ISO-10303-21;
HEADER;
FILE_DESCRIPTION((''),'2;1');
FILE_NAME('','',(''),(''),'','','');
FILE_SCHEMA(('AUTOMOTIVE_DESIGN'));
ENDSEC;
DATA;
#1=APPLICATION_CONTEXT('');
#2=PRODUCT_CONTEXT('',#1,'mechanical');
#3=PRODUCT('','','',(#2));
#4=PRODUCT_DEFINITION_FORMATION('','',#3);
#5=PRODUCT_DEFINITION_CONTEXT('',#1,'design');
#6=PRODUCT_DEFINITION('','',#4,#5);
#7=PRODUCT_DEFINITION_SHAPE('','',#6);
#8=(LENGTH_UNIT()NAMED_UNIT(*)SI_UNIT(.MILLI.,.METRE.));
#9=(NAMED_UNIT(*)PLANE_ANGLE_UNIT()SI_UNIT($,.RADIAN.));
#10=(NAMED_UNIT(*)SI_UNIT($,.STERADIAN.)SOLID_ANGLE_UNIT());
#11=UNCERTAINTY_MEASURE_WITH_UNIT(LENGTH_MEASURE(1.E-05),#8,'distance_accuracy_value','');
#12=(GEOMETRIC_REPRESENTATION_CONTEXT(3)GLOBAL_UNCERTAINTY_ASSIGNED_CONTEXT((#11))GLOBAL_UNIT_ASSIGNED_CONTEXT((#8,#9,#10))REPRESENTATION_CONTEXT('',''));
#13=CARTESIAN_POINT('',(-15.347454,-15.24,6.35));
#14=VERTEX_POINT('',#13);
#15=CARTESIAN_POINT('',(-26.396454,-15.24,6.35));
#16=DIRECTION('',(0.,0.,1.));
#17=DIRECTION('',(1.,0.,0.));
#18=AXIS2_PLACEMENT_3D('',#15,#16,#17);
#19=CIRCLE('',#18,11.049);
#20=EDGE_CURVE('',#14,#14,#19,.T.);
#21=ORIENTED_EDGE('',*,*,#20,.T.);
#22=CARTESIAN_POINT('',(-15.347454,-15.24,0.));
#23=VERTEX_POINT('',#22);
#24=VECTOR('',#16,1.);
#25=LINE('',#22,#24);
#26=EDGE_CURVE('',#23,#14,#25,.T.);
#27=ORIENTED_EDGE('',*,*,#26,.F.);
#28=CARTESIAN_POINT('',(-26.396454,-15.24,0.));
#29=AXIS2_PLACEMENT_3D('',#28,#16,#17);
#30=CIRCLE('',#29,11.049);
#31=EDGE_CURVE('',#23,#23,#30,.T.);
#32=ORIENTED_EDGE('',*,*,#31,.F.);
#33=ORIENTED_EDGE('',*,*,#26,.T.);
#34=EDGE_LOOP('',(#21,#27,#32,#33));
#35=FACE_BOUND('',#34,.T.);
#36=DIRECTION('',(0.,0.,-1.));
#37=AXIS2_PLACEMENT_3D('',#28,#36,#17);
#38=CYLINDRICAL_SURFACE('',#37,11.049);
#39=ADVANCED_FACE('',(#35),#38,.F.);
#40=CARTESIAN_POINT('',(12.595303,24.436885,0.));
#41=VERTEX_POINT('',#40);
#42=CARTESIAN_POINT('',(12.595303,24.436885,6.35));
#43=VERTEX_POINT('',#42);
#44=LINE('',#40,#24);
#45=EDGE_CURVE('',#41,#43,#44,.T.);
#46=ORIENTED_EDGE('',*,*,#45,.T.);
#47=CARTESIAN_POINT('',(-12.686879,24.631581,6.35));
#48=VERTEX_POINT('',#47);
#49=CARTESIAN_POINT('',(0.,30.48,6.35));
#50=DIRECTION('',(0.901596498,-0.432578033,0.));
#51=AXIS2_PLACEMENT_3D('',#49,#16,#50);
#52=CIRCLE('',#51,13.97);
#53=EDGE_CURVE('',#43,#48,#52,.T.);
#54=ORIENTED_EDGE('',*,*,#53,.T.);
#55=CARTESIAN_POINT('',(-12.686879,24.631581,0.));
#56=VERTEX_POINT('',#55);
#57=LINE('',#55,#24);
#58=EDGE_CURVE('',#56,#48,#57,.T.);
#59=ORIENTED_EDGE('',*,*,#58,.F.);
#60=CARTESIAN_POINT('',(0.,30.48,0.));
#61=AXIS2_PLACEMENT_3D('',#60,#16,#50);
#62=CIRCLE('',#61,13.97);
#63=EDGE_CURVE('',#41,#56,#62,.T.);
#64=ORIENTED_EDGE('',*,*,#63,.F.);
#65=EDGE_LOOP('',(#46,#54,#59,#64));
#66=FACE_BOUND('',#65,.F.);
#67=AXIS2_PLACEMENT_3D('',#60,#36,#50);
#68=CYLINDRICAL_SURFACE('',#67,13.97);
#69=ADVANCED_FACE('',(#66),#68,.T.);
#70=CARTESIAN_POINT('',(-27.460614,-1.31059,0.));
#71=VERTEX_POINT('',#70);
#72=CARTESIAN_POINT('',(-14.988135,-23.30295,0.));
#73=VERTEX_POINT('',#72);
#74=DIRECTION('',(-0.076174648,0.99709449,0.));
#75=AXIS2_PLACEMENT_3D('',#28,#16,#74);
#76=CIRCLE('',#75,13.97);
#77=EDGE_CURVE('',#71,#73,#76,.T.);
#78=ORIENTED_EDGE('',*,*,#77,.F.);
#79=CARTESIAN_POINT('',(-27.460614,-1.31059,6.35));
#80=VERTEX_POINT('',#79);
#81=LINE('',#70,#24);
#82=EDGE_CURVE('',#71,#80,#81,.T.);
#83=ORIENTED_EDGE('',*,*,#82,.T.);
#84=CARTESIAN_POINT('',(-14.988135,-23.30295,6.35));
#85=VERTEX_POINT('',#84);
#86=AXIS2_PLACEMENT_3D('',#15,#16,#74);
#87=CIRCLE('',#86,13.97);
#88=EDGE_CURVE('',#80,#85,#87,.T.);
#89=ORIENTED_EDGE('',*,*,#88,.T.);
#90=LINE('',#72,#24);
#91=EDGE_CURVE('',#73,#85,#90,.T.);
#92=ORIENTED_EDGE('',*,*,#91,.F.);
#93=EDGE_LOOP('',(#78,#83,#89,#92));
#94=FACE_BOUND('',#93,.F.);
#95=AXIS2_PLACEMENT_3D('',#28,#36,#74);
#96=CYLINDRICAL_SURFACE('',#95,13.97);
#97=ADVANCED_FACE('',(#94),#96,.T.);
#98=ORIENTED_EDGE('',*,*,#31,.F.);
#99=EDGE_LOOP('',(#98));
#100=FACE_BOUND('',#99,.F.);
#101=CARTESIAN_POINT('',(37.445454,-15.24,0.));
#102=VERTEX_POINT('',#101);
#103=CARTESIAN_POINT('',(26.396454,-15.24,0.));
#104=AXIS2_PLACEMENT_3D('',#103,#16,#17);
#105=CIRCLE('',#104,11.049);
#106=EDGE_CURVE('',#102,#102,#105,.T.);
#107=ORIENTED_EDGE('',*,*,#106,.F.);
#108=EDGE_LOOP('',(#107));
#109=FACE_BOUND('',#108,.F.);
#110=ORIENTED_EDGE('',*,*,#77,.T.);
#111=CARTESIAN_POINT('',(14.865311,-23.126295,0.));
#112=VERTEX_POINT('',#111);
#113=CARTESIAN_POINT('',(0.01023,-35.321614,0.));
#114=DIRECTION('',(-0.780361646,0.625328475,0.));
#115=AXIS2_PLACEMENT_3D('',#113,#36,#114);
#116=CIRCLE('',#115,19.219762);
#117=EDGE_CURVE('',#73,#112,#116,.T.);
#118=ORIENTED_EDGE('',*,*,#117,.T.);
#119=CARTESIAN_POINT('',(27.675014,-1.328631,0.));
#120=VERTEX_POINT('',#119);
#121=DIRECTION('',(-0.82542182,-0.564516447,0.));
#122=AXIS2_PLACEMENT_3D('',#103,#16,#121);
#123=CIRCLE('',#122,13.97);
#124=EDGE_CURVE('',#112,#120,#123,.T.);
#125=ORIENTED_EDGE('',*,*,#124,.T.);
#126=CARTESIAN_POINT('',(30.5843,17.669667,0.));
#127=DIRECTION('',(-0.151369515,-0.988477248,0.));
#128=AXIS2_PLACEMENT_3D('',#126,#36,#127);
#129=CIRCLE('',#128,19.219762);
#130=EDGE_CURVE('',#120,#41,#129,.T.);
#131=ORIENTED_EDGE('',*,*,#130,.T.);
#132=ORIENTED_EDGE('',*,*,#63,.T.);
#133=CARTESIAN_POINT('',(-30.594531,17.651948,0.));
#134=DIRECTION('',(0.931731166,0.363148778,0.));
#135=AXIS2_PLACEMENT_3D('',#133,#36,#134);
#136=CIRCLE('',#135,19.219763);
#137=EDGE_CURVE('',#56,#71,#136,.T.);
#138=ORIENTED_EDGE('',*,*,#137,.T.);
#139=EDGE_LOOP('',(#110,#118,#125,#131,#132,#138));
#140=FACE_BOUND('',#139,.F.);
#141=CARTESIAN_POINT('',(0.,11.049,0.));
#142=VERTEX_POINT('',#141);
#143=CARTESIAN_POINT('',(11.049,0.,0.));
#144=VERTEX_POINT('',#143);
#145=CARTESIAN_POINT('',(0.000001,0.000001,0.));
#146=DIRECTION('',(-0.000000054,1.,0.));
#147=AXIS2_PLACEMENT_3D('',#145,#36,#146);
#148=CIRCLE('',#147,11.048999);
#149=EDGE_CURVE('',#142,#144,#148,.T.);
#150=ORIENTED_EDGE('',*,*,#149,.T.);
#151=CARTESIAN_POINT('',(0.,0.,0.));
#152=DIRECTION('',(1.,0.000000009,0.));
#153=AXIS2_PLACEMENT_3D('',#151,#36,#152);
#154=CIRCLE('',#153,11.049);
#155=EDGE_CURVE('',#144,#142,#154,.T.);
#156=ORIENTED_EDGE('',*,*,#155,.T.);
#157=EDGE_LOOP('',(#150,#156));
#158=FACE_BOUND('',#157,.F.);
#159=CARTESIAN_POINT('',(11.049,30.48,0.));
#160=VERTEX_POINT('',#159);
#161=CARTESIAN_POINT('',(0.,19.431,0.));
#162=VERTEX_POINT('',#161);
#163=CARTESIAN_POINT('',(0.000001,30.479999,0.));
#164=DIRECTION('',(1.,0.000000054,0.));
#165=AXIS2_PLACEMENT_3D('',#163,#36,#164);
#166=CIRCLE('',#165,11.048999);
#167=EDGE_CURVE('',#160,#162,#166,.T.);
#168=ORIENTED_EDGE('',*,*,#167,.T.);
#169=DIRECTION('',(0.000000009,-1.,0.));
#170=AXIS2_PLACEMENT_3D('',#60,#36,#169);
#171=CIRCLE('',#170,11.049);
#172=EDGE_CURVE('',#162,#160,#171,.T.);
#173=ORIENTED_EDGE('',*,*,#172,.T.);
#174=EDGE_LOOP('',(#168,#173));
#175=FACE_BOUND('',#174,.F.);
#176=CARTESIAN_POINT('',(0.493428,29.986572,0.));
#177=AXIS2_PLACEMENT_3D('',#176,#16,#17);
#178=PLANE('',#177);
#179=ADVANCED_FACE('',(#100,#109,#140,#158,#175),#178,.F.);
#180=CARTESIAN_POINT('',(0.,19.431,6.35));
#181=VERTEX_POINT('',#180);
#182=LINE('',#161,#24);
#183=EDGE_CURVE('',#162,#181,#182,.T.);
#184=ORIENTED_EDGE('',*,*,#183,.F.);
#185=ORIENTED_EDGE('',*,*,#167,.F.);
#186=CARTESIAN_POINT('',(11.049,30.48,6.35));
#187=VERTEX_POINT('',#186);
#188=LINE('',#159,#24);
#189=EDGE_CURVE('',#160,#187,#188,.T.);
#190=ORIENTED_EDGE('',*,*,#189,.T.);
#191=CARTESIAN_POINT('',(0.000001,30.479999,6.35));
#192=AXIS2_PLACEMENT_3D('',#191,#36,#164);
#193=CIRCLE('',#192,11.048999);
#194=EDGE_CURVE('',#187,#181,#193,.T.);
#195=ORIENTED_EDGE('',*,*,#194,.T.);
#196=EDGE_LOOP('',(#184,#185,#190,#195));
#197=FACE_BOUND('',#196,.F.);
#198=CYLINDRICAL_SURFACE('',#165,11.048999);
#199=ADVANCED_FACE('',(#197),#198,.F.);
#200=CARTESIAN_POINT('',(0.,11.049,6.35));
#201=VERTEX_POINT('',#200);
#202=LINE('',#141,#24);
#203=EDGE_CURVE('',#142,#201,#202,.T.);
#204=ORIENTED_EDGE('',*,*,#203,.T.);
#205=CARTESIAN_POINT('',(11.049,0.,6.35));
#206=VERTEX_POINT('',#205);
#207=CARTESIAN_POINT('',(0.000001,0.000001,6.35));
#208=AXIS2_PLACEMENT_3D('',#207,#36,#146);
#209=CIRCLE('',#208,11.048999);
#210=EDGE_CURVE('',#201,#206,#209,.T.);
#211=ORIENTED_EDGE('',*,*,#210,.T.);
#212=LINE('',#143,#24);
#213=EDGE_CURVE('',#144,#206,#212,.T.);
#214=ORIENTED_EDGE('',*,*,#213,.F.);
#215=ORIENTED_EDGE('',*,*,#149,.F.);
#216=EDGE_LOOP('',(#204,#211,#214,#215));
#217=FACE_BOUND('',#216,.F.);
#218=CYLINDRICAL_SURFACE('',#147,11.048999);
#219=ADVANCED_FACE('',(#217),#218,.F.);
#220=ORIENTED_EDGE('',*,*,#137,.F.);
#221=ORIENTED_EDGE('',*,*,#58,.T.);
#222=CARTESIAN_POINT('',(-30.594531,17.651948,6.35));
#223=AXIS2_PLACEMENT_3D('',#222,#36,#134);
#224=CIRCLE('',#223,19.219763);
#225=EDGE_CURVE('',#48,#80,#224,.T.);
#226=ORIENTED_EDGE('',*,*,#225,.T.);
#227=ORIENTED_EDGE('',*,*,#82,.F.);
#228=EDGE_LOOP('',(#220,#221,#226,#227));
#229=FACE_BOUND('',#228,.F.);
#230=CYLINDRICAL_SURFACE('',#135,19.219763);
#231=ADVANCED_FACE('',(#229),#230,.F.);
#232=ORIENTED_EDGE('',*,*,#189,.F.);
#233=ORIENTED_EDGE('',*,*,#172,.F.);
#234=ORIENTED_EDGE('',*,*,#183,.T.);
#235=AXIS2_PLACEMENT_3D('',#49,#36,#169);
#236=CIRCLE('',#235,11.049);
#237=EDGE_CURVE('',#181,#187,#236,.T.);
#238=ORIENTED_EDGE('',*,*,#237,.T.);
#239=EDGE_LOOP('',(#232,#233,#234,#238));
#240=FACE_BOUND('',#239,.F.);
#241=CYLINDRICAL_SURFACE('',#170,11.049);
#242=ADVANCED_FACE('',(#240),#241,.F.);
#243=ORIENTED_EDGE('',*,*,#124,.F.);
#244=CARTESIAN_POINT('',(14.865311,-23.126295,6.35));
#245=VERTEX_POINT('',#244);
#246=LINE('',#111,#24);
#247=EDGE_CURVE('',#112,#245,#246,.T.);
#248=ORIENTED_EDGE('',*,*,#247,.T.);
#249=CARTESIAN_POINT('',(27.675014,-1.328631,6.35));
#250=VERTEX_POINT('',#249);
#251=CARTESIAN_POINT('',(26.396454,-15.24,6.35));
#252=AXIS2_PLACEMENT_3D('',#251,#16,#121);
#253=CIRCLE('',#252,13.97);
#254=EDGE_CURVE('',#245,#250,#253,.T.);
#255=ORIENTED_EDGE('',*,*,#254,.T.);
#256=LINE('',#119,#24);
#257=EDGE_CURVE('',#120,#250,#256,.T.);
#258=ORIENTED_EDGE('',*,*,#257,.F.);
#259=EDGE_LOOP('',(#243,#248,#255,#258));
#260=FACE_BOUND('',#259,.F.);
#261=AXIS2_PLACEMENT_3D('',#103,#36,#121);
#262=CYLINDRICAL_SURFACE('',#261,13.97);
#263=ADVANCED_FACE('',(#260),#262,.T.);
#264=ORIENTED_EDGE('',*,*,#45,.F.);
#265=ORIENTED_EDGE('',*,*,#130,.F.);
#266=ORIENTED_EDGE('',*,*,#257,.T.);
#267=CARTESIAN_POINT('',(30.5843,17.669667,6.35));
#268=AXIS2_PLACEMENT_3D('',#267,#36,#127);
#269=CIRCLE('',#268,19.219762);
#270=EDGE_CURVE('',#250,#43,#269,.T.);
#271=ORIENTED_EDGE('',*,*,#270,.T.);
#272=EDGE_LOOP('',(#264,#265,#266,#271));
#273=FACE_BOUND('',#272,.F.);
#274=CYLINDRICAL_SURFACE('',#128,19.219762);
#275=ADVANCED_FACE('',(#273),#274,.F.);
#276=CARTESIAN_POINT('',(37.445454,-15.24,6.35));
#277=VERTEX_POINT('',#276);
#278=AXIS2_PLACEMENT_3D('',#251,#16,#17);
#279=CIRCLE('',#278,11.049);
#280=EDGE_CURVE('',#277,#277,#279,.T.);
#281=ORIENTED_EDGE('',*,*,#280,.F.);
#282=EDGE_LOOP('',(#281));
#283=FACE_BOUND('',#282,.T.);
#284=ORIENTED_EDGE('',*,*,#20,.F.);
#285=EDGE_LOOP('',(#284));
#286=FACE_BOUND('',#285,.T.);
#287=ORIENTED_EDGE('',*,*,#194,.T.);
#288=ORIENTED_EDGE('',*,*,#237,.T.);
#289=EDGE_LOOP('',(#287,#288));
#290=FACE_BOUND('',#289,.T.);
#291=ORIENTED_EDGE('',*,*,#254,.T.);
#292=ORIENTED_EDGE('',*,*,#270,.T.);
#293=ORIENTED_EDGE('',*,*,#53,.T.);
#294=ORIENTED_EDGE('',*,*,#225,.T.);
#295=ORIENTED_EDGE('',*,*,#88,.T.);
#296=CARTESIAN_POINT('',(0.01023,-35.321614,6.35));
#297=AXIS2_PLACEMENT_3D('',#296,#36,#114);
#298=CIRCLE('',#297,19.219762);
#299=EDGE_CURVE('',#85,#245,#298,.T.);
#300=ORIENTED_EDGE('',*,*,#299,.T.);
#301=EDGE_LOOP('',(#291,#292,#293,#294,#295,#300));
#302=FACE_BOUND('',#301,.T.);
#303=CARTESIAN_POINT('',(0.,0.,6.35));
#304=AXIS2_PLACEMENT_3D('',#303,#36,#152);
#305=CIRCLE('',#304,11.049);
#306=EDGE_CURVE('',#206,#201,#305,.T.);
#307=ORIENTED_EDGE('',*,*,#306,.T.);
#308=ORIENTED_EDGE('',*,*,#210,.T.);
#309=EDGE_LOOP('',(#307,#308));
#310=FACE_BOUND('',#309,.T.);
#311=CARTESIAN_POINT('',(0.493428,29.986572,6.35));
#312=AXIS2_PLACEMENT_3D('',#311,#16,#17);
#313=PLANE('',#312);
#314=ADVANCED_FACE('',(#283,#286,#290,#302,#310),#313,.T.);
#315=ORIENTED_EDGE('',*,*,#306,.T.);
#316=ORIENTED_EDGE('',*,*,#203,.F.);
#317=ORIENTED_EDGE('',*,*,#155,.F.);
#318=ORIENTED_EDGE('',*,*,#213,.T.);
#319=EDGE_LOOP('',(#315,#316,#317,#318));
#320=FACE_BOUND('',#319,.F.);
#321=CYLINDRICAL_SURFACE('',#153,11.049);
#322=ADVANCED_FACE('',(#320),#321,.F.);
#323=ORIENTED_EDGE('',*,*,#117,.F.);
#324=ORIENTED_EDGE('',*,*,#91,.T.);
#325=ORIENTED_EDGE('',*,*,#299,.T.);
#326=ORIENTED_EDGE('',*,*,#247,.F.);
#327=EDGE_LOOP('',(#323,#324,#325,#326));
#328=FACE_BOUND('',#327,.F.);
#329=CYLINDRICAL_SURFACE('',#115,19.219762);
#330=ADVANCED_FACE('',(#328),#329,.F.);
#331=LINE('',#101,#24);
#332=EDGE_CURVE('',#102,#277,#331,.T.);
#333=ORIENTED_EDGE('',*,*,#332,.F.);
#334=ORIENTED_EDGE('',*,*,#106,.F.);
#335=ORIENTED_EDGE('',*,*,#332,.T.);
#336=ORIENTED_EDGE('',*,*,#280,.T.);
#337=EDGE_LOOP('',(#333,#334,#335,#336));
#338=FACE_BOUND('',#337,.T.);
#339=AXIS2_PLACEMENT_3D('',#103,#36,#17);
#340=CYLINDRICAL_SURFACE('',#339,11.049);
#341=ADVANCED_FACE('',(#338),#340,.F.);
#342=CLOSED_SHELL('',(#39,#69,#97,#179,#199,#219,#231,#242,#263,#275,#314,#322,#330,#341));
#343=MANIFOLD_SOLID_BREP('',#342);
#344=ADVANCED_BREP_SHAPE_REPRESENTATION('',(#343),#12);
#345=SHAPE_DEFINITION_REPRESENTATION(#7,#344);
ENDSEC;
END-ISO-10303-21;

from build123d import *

# Parameters (mm, degrees)
F0_R     = 11.049
F1_DEPTH = 6.35


with BuildPart() as f1:
    # F0 (on Top) → F1 (new body)
    with BuildSketch(Plane.XY):
        with BuildLine():
            ThreePointArc((11.049, 30.48), (-7.812823, 38.292823), (0, 19.431))
            ThreePointArc((0, 19.431), (7.812823, 22.667177), (11.049, 30.48))
        make_face()
        with BuildLine():
            ThreePointArc((11.049, 0), (7.812823, 7.812823), (0, 11.049))
            ThreePointArc((0, 11.049), (-7.812823, -7.812823), (11.049, 0))
        make_face()
        with BuildLine():
            ThreePointArc((-12.686879, 24.631581), (-13.893155, 8.140727), (-27.460614, -1.31059))
            ThreePointArc((-27.460614, -1.31059), (-38.54826, -22.131627), (-14.988135, -23.30295))
            ThreePointArc((-14.988135, -23.30295), (-0.103499, -16.102189), (14.865311, -23.126295))
            ThreePointArc((14.865311, -23.126295), (38.440681, -22.317959), (27.675014, -1.328631))
            ThreePointArc((27.675014, -1.328631), (13.996654, 7.961461), (12.595303, 24.436885))
            ThreePointArc((12.595303, 24.436885), (0.107579, 44.449586), (-12.686879, 24.631581))
        make_face()
        with Locations((-26.396454, -15.24)):
            Circle(F0_R, mode=Mode.SUBTRACT)
        with Locations((26.396454, -15.24)):
            Circle(F0_R, mode=Mode.SUBTRACT)
        with BuildLine():
            ThreePointArc((11.049, 0), (-7.812823, -7.812823), (0, 11.049))
            ThreePointArc((0, 11.049), (7.812823, 7.812823), (11.049, 0))
        make_face(mode=Mode.SUBTRACT)
        with BuildLine():
            ThreePointArc((11.049, 30.48), (7.812823, 22.667177), (0, 19.431))
            ThreePointArc((0, 19.431), (-7.812823, 38.292823), (11.049, 30.48))
        make_face(mode=Mode.SUBTRACT)
    extrude(amount=F1_DEPTH)


solid = f1.part
